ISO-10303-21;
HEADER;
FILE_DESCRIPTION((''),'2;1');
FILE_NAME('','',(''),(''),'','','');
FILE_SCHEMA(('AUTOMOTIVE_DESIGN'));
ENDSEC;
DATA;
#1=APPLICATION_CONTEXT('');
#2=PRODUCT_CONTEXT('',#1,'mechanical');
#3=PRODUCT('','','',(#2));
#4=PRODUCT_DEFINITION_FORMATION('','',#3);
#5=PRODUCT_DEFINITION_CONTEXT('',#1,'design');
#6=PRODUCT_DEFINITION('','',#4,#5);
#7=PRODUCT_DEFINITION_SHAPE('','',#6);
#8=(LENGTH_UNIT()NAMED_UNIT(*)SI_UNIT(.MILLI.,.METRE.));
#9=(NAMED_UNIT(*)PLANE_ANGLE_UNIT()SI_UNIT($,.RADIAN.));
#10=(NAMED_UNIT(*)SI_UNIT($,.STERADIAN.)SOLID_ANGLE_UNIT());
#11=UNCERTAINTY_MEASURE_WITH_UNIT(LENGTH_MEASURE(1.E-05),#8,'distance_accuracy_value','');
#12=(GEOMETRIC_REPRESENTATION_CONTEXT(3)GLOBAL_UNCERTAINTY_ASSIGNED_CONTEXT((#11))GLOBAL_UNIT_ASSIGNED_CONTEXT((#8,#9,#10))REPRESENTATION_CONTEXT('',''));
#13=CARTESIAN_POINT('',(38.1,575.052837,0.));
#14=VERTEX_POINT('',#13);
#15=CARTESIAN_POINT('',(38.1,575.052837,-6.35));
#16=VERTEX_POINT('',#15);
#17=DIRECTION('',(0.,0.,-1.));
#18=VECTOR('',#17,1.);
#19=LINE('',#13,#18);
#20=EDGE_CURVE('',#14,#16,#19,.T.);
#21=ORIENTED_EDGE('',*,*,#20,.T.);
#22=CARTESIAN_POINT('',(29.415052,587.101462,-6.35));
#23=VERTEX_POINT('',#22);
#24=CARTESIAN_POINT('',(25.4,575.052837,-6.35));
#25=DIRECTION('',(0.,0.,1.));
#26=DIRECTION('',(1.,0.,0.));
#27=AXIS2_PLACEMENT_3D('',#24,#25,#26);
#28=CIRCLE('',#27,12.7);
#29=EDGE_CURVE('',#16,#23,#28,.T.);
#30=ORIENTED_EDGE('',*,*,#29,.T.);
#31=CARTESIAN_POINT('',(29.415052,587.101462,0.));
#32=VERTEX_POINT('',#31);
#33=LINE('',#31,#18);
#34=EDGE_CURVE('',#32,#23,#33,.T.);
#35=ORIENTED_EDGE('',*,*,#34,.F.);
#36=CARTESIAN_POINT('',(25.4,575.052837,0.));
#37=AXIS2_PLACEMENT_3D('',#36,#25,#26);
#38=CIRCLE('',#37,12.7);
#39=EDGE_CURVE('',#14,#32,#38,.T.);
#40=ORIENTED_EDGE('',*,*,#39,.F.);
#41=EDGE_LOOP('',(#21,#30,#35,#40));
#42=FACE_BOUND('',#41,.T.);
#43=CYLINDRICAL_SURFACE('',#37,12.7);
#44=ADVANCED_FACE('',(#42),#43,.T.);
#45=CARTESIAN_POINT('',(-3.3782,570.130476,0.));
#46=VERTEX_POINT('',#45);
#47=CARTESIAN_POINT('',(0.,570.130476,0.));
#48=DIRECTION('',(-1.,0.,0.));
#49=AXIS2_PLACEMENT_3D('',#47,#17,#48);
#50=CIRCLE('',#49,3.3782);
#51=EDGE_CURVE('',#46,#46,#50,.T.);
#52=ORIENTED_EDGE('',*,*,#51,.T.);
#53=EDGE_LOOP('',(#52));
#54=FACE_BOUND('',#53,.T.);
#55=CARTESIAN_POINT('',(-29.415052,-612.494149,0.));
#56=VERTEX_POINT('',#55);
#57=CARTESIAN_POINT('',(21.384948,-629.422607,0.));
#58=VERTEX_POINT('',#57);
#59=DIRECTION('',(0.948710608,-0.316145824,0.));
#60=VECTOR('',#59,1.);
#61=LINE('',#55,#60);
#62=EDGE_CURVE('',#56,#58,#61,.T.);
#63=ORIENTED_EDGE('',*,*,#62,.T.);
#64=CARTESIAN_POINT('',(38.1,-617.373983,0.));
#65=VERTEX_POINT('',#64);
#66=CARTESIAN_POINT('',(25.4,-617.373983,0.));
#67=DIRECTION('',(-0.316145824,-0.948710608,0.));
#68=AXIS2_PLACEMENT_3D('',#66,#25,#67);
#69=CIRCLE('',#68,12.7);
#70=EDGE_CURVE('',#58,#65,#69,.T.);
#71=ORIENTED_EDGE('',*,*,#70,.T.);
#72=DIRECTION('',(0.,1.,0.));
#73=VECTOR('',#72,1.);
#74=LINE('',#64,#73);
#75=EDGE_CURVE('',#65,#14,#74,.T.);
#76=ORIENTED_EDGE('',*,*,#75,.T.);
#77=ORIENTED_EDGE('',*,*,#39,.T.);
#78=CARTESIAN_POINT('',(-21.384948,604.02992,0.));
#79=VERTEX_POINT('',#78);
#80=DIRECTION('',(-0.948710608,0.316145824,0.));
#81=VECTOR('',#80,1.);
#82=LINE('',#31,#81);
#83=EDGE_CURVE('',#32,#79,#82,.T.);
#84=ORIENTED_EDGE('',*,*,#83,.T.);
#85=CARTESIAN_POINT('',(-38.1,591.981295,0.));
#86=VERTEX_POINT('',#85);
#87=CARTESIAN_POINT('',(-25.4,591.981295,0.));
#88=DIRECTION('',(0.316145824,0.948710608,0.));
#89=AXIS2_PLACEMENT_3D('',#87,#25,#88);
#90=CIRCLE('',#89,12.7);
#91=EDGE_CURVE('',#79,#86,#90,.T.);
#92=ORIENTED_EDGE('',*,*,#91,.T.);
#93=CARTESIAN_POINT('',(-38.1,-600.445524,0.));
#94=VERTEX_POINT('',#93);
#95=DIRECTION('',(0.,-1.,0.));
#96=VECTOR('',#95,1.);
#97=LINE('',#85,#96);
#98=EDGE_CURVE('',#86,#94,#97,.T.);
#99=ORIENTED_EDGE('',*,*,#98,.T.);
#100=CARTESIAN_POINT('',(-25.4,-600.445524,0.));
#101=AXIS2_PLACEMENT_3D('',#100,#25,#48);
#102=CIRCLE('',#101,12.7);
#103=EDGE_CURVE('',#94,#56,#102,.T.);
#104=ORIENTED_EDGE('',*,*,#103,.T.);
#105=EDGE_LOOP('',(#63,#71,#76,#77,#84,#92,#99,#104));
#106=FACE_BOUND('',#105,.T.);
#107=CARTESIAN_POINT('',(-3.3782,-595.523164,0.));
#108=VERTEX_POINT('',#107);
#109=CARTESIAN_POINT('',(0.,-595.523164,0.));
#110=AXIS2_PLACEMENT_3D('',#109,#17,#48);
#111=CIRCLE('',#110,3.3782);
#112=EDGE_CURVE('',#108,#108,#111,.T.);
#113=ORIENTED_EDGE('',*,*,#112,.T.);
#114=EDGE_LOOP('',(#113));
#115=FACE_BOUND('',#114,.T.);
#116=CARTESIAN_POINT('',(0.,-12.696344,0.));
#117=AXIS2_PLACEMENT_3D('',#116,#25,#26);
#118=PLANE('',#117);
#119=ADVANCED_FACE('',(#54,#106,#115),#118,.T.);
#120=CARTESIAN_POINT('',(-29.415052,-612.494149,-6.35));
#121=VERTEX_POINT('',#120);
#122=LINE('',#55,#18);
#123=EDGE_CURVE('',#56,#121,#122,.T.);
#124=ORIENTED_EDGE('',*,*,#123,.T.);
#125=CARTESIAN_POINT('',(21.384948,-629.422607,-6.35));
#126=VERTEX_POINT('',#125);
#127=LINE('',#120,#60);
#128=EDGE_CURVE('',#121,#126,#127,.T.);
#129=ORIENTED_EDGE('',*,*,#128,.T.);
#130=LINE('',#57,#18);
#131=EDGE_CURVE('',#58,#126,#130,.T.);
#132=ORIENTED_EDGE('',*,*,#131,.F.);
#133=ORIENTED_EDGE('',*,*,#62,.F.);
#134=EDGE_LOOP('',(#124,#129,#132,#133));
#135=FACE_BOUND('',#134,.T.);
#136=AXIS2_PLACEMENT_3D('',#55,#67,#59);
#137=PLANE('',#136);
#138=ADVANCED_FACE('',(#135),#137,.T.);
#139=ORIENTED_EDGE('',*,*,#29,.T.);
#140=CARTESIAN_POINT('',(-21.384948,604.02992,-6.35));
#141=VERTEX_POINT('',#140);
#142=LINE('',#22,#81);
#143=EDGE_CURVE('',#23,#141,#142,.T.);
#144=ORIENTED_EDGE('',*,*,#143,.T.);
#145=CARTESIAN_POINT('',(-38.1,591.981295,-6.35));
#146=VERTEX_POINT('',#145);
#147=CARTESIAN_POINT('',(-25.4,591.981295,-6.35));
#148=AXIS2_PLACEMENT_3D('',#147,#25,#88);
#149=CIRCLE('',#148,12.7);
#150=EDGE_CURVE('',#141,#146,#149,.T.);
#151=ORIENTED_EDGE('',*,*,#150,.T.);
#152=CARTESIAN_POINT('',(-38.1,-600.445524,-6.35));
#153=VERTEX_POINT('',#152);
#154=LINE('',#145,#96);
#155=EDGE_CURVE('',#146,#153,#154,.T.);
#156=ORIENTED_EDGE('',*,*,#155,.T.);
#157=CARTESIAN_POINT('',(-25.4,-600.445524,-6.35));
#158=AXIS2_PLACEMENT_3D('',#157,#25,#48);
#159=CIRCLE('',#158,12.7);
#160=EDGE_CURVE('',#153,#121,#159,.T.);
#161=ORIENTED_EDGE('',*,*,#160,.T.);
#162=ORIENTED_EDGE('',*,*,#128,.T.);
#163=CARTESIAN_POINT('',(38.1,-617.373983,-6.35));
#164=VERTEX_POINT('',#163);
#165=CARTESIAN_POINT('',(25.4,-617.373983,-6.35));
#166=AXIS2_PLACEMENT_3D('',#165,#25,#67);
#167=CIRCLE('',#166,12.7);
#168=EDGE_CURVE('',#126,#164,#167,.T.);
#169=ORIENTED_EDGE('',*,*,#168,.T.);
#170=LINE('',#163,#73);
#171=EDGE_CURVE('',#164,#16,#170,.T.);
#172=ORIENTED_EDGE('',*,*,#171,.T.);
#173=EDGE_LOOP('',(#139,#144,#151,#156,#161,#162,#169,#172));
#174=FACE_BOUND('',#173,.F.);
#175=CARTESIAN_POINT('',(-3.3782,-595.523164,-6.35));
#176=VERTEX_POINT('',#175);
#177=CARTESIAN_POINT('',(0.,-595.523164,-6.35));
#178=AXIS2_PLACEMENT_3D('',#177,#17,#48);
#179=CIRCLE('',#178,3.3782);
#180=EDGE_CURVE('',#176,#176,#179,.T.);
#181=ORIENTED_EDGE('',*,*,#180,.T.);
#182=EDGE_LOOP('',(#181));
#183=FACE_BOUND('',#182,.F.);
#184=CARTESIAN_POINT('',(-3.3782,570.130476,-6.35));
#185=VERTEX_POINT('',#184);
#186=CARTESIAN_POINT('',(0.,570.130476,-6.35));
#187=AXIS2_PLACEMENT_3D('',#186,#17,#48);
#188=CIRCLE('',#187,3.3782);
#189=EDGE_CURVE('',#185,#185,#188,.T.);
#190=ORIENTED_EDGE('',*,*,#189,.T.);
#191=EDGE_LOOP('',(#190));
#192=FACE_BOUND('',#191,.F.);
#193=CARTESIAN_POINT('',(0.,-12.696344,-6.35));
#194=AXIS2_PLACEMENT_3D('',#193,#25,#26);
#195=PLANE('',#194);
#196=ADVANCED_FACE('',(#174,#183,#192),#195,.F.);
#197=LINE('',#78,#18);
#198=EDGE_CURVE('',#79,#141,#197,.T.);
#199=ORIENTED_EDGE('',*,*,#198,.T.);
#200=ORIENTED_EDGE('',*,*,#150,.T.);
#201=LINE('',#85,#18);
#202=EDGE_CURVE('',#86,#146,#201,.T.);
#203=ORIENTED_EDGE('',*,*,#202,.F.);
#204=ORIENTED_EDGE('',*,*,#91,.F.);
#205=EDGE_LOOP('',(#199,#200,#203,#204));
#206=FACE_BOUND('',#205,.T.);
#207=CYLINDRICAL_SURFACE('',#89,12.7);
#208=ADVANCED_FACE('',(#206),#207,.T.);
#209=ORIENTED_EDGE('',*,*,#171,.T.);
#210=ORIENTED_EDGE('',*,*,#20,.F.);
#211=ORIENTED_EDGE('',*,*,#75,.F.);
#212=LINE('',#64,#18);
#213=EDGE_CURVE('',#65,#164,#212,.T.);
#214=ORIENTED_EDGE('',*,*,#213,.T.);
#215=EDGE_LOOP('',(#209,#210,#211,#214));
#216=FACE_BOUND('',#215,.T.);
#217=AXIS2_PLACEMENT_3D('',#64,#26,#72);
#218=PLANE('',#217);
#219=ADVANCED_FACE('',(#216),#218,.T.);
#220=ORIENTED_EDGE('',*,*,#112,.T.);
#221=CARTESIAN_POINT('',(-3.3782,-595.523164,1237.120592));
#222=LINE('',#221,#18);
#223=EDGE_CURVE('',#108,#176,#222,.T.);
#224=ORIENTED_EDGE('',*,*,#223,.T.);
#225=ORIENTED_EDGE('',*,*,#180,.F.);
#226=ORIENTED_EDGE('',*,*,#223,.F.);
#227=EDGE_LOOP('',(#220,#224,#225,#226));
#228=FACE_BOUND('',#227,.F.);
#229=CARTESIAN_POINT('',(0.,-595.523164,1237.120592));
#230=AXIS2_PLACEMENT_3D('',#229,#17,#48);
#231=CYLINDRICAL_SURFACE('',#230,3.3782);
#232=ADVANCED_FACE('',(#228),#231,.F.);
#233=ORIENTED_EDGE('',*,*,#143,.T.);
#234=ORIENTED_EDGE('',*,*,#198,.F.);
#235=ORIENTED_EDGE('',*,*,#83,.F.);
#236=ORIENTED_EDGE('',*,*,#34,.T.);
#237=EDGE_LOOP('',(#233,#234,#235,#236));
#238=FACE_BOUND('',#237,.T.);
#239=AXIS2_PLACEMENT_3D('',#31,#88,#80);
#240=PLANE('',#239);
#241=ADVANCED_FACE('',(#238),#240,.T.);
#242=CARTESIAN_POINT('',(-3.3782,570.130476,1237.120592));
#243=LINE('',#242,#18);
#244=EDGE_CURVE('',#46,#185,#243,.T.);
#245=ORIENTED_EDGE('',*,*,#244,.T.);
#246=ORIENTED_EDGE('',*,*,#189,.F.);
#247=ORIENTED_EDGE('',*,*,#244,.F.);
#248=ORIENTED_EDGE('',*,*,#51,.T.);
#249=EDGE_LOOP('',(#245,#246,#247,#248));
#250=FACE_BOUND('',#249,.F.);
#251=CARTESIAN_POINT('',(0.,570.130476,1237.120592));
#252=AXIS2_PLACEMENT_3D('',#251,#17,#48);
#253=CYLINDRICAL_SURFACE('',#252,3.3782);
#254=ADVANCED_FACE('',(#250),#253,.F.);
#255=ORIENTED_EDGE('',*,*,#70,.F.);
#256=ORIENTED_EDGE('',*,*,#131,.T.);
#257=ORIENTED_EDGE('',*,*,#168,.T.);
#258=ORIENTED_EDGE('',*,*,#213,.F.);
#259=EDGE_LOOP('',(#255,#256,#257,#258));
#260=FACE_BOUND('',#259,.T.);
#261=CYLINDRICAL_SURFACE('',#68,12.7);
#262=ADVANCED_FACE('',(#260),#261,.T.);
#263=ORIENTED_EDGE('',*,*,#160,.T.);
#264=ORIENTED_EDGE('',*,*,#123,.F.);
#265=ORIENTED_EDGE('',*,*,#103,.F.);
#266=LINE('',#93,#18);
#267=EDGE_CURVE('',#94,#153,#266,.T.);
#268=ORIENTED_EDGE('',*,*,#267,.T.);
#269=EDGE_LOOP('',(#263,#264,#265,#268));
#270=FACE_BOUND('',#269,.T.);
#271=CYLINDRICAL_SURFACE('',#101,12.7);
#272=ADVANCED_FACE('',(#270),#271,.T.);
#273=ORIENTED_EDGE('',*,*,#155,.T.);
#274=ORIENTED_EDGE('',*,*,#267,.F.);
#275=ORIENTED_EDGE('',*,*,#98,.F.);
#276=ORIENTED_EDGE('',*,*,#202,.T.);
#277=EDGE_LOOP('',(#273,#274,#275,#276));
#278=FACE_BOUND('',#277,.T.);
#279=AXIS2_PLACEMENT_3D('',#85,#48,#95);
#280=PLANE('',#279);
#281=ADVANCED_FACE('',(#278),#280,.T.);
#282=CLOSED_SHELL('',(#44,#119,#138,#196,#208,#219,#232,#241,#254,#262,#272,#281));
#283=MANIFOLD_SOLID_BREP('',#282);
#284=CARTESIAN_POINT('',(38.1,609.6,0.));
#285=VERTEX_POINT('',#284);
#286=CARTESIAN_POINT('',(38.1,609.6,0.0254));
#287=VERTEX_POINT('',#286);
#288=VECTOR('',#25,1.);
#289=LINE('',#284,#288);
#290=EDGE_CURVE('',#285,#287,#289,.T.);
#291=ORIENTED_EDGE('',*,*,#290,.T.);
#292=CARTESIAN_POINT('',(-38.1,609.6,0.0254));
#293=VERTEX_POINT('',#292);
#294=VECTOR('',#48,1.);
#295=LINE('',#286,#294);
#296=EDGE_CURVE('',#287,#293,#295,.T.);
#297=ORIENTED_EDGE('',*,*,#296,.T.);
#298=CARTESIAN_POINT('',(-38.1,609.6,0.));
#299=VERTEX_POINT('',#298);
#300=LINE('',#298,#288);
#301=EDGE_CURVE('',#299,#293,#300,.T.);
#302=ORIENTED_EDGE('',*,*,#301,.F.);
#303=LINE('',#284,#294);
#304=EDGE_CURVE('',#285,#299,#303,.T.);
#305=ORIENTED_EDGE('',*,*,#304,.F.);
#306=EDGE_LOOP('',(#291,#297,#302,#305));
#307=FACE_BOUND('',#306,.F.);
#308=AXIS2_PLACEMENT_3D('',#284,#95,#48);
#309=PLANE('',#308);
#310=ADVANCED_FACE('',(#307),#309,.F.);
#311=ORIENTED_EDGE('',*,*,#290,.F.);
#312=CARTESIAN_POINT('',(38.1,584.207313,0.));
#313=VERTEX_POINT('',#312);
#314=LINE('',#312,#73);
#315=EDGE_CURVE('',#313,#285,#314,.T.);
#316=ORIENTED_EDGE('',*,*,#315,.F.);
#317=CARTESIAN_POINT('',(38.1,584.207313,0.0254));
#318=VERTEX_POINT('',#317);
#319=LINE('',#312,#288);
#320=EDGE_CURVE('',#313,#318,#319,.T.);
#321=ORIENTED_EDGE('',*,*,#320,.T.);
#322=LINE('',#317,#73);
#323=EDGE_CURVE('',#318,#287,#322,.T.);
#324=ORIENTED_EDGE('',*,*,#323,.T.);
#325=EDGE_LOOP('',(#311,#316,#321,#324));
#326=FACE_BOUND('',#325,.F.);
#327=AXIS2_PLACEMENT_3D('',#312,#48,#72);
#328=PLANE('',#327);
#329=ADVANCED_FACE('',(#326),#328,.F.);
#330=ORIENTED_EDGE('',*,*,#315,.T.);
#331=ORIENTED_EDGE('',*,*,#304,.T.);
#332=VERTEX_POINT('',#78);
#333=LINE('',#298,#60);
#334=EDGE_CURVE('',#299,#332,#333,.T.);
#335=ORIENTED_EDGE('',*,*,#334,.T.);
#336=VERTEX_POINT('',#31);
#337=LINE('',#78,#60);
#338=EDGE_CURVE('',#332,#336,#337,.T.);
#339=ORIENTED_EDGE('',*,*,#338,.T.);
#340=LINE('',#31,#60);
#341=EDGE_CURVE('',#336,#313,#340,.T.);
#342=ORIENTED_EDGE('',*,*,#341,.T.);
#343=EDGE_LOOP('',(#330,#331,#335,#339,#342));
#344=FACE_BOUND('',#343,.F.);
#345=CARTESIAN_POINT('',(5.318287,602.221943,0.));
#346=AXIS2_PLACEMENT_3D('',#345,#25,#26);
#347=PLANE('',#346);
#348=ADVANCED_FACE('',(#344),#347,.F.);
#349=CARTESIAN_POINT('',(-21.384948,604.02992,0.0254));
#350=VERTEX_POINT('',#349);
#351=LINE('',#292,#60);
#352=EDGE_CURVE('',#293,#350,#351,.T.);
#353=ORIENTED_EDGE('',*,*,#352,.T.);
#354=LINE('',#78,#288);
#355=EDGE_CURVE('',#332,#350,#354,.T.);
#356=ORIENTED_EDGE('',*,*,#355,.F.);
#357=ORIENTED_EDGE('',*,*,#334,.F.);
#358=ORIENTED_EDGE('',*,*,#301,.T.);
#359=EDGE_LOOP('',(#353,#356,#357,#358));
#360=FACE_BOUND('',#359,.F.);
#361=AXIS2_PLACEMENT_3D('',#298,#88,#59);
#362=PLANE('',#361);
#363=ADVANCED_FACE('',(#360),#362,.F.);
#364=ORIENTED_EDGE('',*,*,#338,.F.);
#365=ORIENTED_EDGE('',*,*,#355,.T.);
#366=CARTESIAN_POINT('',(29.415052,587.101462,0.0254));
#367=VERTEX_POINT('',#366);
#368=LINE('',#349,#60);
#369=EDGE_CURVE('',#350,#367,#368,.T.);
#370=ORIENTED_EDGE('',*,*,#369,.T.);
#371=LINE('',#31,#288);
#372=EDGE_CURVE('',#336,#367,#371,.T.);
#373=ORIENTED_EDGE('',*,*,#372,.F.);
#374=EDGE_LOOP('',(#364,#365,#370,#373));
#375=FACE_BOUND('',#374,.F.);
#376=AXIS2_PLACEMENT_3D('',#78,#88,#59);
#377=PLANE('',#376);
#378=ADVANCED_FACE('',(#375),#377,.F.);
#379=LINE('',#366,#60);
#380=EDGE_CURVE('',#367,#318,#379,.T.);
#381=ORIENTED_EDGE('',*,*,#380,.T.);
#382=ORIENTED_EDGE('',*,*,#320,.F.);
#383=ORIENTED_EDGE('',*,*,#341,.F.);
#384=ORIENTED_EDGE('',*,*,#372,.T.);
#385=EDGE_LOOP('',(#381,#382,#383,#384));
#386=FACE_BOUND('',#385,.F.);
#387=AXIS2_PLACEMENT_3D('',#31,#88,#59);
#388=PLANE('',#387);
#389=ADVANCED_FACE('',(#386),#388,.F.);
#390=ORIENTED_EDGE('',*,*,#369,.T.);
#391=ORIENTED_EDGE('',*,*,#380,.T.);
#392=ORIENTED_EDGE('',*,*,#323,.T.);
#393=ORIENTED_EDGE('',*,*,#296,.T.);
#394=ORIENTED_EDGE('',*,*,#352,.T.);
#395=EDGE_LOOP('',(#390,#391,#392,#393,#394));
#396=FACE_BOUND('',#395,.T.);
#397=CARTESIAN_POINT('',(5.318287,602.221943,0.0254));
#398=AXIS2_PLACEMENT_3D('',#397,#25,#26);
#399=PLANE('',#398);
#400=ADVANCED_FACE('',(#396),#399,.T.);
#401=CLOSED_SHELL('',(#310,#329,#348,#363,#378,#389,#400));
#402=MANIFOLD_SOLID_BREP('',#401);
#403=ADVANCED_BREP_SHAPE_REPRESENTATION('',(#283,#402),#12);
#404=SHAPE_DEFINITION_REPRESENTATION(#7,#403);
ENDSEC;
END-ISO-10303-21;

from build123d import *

# Parameters (mm, degrees)
F1_DEPTH = 6.35
F2_D     = 6.7564
F3_DEPTH = 0.0254


with BuildPart() as f1:
    # F0 (on Top) → F1 (new body)
    with BuildSketch(Plane.XY):
        with BuildLine():
            ThreePointArc((-21.3849480355, 604.0299201139), (-32.8262655504, 602.2837504366), (-38.1, 591.9812953906))
            Line((-38.1, 591.9812953906), (-38.1, 0))
            Line((-38.1, 0), (-38.1, -600.4455244823))
            ThreePointArc((-38.1, -600.4455244823), (-35.702455046, -607.8717900327), (-29.4150519645, -612.4941492056))
            Line((-29.4150519645, -612.4941492056), (21.3849480355, -629.4226073889))
            ThreePointArc((21.3849480355, -629.4226073889), (32.8262655504, -627.6764377116), (38.1, -617.3739826656))
            Line((38.1, -617.3739826656), (38.1, -25.392687275))
            Line((38.1, -25.392687275), (38.1, 575.0528372073))
            ThreePointArc((38.1, 575.0528372073), (35.702455046, 582.4791027577), (29.4150519645, 587.1014619306))
            Line((29.4150519645, 587.1014619306), (-21.3849480355, 604.0299201139))
        make_face()
        Polygon((-4.953, 0), (-4.953, 532.0304762354), (0, 532.0304762354), (4.953, 532.0304762354), (4.953, 0), (4.953, -557.4231635104), (0, -557.4231635104), (-4.953, -557.4231635104), align=None, mode=Mode.SUBTRACT)
        Polygon((0, 532.0304762354), (-4.953, 532.0304762354), (-4.953, 0), (-4.953, -557.4231635104), (0, -557.4231635104), (4.953, -557.4231635104), (4.953, 0), (4.953, 532.0304762354), align=None)
    extrude(amount=-F1_DEPTH)

    # F2 (through all)
    with Locations(Plane.XY):
        with Locations((0, 570.1304762354), (0, -595.5231635104)):
            Hole(F2_D / 2)


with BuildPart() as f3:
    # F0 (on Top) → F3 (new body)
    with BuildSketch(Plane.XY):
        Polygon((-38.1, 609.6), (-21.3849480355, 604.0299201139), (29.4150519645, 587.1014619306), (38.1, 584.207312725), (38.1, 609.6), align=None)
    extrude(amount=F3_DEPTH)


solid = Compound([f1.part, f3.part])
